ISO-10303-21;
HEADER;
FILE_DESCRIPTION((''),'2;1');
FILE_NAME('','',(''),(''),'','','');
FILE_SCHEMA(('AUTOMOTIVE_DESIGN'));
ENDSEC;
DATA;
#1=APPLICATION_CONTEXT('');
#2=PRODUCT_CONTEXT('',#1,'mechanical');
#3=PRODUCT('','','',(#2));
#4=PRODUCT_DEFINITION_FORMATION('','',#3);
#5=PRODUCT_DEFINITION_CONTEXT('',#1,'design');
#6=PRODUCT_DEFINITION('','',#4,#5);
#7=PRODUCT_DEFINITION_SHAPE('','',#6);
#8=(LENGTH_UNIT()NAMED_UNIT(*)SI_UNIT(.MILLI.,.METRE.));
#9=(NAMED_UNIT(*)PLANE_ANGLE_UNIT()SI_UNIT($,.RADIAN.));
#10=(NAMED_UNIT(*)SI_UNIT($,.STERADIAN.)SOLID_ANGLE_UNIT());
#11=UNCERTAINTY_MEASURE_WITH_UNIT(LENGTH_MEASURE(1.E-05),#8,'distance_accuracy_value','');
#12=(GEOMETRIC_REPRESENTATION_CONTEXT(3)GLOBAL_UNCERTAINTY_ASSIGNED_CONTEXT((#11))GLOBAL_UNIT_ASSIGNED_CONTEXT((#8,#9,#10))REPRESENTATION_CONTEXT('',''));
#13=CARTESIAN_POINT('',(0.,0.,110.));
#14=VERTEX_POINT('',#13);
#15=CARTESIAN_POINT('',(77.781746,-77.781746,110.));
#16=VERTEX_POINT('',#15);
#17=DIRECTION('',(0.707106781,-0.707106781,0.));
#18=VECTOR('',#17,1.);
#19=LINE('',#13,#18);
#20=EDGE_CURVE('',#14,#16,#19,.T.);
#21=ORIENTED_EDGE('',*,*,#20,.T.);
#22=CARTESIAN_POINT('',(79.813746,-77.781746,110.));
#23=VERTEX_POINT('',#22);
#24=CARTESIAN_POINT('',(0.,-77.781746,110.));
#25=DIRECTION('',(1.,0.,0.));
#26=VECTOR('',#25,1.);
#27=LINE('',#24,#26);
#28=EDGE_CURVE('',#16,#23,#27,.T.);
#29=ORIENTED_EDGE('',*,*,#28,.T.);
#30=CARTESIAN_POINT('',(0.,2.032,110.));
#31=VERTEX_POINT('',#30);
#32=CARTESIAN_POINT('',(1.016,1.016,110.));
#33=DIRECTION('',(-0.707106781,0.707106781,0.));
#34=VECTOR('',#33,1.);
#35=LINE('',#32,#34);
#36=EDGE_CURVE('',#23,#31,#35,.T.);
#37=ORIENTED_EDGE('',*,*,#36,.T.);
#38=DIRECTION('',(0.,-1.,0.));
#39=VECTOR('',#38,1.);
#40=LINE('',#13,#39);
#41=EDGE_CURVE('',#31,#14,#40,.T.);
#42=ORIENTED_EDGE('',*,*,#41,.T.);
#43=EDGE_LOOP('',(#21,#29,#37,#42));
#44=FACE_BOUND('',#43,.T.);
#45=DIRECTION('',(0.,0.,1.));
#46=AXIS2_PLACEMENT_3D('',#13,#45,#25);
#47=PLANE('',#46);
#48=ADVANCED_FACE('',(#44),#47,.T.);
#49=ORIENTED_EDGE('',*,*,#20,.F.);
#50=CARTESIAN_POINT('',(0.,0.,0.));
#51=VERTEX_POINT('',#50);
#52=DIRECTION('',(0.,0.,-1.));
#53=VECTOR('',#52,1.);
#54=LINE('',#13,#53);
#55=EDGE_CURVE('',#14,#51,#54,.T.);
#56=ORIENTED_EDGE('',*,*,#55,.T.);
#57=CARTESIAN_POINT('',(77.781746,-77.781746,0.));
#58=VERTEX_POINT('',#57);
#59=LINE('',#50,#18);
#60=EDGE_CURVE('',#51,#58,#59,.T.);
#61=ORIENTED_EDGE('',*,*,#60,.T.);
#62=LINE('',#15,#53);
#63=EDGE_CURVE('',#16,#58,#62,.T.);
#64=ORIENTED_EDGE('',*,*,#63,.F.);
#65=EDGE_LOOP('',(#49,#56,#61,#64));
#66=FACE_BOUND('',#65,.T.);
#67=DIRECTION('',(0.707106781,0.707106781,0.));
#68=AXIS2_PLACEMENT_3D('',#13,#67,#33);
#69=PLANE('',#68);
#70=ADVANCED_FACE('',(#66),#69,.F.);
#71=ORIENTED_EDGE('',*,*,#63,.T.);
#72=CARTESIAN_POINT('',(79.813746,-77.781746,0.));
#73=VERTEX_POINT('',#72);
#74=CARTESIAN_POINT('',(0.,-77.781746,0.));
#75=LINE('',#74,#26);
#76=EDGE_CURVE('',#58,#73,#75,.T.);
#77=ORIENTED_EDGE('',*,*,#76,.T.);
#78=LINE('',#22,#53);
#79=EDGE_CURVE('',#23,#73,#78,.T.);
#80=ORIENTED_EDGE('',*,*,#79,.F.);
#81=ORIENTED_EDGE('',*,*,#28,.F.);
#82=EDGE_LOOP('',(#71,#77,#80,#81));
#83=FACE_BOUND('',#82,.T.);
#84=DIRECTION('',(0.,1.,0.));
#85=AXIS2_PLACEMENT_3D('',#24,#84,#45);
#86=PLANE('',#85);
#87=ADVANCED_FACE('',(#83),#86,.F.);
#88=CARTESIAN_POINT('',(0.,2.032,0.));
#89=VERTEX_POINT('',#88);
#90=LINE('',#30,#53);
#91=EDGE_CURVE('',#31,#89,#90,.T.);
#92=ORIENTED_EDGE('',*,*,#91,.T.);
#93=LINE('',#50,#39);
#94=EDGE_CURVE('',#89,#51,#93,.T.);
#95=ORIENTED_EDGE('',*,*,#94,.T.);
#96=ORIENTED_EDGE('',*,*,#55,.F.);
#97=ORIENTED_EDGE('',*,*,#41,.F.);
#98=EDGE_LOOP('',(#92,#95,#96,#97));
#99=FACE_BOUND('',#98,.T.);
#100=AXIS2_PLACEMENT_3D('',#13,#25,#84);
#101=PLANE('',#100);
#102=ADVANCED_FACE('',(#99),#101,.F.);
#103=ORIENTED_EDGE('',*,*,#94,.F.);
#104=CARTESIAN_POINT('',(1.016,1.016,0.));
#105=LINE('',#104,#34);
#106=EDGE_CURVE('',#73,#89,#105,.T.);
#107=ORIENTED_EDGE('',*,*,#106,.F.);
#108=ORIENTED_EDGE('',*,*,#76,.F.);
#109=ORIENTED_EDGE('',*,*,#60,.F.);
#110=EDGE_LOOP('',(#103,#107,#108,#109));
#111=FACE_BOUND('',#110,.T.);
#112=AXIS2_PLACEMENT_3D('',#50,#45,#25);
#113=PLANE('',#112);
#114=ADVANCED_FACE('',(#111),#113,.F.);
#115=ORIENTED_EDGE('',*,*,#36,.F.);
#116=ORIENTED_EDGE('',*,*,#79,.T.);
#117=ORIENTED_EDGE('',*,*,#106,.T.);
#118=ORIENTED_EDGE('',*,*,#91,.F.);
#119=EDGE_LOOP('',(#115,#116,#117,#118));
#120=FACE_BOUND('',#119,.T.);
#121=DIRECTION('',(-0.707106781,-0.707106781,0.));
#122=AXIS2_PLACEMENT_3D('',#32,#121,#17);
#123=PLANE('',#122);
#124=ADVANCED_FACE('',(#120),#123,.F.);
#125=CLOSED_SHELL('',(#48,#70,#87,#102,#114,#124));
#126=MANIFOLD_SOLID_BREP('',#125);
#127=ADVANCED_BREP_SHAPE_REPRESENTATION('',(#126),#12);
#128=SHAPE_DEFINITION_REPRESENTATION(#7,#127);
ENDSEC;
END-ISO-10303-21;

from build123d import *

# Parameters (mm, degrees)
BOSS_EXTRUDE1_DEPTH = 110


with BuildPart() as part:
    # Sketch1 → Boss-Extrude1 (new body)
    with BuildSketch(Plane.XY):
        Polygon((0, 2.032), (0, 0), (77.781745931, -77.781745931), (79.813745931, -77.781745931), align=None)
    extrude(amount=BOSS_EXTRUDE1_DEPTH)


solid = part.part
